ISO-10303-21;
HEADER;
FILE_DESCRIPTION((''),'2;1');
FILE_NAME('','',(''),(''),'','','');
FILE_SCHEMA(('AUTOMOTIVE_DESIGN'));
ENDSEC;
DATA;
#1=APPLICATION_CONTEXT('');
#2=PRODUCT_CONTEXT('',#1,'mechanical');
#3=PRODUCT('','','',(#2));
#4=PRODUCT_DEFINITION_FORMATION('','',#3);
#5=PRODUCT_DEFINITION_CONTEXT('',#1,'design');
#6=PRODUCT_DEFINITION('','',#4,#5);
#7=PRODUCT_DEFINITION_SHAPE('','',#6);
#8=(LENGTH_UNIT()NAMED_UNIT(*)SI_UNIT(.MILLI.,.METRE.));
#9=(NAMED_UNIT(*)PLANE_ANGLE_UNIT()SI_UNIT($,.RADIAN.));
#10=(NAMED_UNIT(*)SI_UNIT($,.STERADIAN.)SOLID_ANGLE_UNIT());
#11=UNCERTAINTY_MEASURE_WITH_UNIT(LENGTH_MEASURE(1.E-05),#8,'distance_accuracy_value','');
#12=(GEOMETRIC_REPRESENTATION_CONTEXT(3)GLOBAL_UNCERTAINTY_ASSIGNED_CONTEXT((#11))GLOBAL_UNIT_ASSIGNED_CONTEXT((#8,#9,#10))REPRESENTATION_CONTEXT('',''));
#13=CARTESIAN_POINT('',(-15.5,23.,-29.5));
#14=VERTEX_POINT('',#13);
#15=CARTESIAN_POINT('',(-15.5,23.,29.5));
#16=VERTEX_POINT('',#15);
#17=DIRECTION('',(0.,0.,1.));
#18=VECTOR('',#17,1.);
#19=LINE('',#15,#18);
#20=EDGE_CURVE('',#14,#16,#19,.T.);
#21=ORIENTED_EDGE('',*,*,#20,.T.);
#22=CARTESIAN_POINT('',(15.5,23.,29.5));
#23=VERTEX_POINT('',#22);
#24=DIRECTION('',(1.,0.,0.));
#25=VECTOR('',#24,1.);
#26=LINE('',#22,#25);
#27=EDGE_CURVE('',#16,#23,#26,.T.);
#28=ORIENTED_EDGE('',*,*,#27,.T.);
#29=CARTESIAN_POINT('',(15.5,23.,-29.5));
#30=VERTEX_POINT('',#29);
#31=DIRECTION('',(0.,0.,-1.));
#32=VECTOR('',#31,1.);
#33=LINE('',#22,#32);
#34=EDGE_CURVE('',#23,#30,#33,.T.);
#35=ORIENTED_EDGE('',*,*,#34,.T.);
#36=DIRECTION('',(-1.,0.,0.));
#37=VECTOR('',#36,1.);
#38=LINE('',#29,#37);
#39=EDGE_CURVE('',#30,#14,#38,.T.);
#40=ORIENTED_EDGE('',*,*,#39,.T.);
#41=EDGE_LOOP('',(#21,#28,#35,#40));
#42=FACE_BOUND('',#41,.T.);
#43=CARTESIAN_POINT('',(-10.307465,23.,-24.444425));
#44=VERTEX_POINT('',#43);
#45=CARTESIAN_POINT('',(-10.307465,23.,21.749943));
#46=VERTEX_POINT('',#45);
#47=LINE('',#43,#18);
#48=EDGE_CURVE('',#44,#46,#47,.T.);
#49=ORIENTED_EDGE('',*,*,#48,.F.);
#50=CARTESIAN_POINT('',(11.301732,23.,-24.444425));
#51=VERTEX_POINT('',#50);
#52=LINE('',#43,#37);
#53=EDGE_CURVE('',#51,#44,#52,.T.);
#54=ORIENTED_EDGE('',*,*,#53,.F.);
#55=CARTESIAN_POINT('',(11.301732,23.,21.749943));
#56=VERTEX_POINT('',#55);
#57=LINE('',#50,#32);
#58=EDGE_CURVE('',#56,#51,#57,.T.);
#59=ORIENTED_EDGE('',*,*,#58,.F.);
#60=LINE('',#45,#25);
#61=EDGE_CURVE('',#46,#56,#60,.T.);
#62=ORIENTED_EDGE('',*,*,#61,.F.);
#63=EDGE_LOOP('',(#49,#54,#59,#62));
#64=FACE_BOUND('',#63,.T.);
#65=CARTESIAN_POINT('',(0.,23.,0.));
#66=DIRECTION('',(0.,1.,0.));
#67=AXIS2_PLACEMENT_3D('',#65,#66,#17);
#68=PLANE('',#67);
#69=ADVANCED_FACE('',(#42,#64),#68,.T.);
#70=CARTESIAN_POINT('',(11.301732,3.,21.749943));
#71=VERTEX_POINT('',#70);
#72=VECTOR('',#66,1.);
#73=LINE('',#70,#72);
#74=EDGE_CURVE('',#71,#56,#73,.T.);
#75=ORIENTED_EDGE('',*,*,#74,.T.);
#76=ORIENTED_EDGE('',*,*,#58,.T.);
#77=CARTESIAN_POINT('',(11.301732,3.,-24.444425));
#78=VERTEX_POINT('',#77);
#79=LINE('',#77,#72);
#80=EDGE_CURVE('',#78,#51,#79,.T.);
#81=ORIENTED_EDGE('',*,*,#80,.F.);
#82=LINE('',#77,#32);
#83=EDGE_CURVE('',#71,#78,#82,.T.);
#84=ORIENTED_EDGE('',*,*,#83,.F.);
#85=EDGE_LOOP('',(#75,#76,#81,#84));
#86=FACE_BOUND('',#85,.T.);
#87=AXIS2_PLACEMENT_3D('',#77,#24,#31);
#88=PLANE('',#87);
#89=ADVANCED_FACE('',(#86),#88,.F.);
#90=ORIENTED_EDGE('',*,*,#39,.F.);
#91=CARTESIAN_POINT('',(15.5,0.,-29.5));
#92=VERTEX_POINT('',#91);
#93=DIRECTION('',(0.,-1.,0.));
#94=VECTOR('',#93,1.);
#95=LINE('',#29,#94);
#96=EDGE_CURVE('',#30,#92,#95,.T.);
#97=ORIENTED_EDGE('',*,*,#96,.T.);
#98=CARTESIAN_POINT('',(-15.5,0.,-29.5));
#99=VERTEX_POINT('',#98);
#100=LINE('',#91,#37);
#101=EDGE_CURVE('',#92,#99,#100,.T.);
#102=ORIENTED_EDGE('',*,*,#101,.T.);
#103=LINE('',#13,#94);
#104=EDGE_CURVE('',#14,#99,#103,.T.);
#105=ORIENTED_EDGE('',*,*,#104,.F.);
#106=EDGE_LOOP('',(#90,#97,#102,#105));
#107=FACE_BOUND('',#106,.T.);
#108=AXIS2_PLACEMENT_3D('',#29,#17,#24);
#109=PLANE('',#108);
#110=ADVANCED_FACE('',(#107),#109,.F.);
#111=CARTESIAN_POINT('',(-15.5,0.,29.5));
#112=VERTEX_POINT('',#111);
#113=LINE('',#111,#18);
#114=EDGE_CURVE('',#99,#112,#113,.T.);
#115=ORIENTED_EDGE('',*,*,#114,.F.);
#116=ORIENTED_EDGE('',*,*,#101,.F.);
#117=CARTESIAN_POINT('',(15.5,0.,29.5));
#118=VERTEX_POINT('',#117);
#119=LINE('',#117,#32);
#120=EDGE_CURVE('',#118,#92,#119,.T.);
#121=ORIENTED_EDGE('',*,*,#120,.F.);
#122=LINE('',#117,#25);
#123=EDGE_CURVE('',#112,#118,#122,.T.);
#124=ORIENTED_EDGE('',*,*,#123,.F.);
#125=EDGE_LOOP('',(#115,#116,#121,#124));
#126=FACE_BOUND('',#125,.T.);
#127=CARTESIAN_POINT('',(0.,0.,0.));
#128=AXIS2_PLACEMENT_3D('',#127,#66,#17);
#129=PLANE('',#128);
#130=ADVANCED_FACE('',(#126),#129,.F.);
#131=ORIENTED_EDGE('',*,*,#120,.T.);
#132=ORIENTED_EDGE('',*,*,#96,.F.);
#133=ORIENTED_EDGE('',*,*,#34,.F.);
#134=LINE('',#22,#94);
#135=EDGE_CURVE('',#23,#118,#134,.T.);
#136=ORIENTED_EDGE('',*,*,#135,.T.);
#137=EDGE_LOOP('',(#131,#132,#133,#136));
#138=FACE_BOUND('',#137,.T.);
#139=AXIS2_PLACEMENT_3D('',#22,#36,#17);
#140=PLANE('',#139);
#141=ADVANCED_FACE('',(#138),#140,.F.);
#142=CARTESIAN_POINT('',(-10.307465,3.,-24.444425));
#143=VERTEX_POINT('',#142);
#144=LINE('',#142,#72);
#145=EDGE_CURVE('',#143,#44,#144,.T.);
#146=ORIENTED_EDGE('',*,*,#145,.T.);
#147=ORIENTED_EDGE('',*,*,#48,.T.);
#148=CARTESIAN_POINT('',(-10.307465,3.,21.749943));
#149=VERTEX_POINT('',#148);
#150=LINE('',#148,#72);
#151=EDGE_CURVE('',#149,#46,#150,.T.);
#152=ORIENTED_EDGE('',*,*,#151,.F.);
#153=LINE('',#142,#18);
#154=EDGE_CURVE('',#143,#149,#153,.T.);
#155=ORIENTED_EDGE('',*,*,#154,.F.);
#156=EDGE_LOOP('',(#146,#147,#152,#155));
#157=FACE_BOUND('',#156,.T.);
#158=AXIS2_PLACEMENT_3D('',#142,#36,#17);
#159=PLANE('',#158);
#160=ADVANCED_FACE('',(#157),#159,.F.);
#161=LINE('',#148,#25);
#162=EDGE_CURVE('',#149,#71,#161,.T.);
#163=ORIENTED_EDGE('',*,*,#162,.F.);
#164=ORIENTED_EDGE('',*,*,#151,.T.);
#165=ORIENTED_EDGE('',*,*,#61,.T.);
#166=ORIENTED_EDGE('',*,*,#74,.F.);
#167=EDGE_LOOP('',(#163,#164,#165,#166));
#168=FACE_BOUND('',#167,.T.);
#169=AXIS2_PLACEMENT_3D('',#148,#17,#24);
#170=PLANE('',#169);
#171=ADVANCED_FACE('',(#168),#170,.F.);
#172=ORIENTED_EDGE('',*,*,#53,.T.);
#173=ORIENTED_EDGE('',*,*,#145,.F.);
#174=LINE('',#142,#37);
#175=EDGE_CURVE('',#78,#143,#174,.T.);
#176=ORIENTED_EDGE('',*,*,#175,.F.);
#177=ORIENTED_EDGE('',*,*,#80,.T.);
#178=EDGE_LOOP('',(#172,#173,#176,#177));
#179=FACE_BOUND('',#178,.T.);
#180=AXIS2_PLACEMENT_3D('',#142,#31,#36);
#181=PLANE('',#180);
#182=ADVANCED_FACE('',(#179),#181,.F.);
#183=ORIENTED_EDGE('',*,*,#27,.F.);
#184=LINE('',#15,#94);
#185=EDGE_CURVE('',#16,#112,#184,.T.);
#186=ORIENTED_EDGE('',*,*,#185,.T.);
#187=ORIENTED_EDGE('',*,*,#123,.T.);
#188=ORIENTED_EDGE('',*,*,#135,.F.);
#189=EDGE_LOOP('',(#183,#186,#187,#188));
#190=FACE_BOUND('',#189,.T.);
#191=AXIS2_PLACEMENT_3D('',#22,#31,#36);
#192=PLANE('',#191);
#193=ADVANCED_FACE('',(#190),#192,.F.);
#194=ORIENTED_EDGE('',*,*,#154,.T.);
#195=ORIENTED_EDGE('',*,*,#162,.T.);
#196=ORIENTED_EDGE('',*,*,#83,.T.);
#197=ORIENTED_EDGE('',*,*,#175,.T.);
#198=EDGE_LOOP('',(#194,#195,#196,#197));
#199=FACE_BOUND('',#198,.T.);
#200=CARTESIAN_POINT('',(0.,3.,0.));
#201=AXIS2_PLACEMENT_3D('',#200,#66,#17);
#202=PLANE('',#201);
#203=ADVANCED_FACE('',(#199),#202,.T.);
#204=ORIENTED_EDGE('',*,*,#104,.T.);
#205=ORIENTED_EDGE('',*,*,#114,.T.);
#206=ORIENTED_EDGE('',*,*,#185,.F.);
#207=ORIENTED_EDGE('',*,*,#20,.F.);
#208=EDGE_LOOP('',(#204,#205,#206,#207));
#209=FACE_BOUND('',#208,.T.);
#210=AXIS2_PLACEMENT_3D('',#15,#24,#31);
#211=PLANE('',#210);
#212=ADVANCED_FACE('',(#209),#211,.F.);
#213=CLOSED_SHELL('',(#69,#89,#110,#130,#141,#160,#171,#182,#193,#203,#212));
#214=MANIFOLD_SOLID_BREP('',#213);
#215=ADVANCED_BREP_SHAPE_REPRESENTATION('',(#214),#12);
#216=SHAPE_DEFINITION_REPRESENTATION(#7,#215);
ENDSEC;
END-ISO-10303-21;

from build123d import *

# Parameters (mm, degrees)
SKETCH1_W           = 31
SKETCH1_H           = 59
BOSS_EXTRUDE1_DEPTH = 23
SKETCH2_W           = 21.609196656
SKETCH2_H           = 46.19436878
CUT_EXTRUDE1_DEPTH  = 20


with BuildPart() as part:
    # Sketch1 → Boss-Extrude1 (new body)
    with BuildSketch(Plane(origin=(0, 0, 0), x_dir=(1, 0, 0), z_dir=(0, 1, 0))):
        Rectangle(SKETCH1_W, SKETCH1_H)
    extrude(amount=BOSS_EXTRUDE1_DEPTH)

    # Sketch2 → Cut-Extrude1 (cut)
    with BuildSketch(Plane(origin=(0, 23, 0), x_dir=(1, 0, 0), z_dir=(0, 1, 0))):
        with Locations((0.497133186, 1.347240935)):
            Rectangle(SKETCH2_W, SKETCH2_H)
    extrude(amount=-CUT_EXTRUDE1_DEPTH, mode=Mode.SUBTRACT)


solid = part.part
